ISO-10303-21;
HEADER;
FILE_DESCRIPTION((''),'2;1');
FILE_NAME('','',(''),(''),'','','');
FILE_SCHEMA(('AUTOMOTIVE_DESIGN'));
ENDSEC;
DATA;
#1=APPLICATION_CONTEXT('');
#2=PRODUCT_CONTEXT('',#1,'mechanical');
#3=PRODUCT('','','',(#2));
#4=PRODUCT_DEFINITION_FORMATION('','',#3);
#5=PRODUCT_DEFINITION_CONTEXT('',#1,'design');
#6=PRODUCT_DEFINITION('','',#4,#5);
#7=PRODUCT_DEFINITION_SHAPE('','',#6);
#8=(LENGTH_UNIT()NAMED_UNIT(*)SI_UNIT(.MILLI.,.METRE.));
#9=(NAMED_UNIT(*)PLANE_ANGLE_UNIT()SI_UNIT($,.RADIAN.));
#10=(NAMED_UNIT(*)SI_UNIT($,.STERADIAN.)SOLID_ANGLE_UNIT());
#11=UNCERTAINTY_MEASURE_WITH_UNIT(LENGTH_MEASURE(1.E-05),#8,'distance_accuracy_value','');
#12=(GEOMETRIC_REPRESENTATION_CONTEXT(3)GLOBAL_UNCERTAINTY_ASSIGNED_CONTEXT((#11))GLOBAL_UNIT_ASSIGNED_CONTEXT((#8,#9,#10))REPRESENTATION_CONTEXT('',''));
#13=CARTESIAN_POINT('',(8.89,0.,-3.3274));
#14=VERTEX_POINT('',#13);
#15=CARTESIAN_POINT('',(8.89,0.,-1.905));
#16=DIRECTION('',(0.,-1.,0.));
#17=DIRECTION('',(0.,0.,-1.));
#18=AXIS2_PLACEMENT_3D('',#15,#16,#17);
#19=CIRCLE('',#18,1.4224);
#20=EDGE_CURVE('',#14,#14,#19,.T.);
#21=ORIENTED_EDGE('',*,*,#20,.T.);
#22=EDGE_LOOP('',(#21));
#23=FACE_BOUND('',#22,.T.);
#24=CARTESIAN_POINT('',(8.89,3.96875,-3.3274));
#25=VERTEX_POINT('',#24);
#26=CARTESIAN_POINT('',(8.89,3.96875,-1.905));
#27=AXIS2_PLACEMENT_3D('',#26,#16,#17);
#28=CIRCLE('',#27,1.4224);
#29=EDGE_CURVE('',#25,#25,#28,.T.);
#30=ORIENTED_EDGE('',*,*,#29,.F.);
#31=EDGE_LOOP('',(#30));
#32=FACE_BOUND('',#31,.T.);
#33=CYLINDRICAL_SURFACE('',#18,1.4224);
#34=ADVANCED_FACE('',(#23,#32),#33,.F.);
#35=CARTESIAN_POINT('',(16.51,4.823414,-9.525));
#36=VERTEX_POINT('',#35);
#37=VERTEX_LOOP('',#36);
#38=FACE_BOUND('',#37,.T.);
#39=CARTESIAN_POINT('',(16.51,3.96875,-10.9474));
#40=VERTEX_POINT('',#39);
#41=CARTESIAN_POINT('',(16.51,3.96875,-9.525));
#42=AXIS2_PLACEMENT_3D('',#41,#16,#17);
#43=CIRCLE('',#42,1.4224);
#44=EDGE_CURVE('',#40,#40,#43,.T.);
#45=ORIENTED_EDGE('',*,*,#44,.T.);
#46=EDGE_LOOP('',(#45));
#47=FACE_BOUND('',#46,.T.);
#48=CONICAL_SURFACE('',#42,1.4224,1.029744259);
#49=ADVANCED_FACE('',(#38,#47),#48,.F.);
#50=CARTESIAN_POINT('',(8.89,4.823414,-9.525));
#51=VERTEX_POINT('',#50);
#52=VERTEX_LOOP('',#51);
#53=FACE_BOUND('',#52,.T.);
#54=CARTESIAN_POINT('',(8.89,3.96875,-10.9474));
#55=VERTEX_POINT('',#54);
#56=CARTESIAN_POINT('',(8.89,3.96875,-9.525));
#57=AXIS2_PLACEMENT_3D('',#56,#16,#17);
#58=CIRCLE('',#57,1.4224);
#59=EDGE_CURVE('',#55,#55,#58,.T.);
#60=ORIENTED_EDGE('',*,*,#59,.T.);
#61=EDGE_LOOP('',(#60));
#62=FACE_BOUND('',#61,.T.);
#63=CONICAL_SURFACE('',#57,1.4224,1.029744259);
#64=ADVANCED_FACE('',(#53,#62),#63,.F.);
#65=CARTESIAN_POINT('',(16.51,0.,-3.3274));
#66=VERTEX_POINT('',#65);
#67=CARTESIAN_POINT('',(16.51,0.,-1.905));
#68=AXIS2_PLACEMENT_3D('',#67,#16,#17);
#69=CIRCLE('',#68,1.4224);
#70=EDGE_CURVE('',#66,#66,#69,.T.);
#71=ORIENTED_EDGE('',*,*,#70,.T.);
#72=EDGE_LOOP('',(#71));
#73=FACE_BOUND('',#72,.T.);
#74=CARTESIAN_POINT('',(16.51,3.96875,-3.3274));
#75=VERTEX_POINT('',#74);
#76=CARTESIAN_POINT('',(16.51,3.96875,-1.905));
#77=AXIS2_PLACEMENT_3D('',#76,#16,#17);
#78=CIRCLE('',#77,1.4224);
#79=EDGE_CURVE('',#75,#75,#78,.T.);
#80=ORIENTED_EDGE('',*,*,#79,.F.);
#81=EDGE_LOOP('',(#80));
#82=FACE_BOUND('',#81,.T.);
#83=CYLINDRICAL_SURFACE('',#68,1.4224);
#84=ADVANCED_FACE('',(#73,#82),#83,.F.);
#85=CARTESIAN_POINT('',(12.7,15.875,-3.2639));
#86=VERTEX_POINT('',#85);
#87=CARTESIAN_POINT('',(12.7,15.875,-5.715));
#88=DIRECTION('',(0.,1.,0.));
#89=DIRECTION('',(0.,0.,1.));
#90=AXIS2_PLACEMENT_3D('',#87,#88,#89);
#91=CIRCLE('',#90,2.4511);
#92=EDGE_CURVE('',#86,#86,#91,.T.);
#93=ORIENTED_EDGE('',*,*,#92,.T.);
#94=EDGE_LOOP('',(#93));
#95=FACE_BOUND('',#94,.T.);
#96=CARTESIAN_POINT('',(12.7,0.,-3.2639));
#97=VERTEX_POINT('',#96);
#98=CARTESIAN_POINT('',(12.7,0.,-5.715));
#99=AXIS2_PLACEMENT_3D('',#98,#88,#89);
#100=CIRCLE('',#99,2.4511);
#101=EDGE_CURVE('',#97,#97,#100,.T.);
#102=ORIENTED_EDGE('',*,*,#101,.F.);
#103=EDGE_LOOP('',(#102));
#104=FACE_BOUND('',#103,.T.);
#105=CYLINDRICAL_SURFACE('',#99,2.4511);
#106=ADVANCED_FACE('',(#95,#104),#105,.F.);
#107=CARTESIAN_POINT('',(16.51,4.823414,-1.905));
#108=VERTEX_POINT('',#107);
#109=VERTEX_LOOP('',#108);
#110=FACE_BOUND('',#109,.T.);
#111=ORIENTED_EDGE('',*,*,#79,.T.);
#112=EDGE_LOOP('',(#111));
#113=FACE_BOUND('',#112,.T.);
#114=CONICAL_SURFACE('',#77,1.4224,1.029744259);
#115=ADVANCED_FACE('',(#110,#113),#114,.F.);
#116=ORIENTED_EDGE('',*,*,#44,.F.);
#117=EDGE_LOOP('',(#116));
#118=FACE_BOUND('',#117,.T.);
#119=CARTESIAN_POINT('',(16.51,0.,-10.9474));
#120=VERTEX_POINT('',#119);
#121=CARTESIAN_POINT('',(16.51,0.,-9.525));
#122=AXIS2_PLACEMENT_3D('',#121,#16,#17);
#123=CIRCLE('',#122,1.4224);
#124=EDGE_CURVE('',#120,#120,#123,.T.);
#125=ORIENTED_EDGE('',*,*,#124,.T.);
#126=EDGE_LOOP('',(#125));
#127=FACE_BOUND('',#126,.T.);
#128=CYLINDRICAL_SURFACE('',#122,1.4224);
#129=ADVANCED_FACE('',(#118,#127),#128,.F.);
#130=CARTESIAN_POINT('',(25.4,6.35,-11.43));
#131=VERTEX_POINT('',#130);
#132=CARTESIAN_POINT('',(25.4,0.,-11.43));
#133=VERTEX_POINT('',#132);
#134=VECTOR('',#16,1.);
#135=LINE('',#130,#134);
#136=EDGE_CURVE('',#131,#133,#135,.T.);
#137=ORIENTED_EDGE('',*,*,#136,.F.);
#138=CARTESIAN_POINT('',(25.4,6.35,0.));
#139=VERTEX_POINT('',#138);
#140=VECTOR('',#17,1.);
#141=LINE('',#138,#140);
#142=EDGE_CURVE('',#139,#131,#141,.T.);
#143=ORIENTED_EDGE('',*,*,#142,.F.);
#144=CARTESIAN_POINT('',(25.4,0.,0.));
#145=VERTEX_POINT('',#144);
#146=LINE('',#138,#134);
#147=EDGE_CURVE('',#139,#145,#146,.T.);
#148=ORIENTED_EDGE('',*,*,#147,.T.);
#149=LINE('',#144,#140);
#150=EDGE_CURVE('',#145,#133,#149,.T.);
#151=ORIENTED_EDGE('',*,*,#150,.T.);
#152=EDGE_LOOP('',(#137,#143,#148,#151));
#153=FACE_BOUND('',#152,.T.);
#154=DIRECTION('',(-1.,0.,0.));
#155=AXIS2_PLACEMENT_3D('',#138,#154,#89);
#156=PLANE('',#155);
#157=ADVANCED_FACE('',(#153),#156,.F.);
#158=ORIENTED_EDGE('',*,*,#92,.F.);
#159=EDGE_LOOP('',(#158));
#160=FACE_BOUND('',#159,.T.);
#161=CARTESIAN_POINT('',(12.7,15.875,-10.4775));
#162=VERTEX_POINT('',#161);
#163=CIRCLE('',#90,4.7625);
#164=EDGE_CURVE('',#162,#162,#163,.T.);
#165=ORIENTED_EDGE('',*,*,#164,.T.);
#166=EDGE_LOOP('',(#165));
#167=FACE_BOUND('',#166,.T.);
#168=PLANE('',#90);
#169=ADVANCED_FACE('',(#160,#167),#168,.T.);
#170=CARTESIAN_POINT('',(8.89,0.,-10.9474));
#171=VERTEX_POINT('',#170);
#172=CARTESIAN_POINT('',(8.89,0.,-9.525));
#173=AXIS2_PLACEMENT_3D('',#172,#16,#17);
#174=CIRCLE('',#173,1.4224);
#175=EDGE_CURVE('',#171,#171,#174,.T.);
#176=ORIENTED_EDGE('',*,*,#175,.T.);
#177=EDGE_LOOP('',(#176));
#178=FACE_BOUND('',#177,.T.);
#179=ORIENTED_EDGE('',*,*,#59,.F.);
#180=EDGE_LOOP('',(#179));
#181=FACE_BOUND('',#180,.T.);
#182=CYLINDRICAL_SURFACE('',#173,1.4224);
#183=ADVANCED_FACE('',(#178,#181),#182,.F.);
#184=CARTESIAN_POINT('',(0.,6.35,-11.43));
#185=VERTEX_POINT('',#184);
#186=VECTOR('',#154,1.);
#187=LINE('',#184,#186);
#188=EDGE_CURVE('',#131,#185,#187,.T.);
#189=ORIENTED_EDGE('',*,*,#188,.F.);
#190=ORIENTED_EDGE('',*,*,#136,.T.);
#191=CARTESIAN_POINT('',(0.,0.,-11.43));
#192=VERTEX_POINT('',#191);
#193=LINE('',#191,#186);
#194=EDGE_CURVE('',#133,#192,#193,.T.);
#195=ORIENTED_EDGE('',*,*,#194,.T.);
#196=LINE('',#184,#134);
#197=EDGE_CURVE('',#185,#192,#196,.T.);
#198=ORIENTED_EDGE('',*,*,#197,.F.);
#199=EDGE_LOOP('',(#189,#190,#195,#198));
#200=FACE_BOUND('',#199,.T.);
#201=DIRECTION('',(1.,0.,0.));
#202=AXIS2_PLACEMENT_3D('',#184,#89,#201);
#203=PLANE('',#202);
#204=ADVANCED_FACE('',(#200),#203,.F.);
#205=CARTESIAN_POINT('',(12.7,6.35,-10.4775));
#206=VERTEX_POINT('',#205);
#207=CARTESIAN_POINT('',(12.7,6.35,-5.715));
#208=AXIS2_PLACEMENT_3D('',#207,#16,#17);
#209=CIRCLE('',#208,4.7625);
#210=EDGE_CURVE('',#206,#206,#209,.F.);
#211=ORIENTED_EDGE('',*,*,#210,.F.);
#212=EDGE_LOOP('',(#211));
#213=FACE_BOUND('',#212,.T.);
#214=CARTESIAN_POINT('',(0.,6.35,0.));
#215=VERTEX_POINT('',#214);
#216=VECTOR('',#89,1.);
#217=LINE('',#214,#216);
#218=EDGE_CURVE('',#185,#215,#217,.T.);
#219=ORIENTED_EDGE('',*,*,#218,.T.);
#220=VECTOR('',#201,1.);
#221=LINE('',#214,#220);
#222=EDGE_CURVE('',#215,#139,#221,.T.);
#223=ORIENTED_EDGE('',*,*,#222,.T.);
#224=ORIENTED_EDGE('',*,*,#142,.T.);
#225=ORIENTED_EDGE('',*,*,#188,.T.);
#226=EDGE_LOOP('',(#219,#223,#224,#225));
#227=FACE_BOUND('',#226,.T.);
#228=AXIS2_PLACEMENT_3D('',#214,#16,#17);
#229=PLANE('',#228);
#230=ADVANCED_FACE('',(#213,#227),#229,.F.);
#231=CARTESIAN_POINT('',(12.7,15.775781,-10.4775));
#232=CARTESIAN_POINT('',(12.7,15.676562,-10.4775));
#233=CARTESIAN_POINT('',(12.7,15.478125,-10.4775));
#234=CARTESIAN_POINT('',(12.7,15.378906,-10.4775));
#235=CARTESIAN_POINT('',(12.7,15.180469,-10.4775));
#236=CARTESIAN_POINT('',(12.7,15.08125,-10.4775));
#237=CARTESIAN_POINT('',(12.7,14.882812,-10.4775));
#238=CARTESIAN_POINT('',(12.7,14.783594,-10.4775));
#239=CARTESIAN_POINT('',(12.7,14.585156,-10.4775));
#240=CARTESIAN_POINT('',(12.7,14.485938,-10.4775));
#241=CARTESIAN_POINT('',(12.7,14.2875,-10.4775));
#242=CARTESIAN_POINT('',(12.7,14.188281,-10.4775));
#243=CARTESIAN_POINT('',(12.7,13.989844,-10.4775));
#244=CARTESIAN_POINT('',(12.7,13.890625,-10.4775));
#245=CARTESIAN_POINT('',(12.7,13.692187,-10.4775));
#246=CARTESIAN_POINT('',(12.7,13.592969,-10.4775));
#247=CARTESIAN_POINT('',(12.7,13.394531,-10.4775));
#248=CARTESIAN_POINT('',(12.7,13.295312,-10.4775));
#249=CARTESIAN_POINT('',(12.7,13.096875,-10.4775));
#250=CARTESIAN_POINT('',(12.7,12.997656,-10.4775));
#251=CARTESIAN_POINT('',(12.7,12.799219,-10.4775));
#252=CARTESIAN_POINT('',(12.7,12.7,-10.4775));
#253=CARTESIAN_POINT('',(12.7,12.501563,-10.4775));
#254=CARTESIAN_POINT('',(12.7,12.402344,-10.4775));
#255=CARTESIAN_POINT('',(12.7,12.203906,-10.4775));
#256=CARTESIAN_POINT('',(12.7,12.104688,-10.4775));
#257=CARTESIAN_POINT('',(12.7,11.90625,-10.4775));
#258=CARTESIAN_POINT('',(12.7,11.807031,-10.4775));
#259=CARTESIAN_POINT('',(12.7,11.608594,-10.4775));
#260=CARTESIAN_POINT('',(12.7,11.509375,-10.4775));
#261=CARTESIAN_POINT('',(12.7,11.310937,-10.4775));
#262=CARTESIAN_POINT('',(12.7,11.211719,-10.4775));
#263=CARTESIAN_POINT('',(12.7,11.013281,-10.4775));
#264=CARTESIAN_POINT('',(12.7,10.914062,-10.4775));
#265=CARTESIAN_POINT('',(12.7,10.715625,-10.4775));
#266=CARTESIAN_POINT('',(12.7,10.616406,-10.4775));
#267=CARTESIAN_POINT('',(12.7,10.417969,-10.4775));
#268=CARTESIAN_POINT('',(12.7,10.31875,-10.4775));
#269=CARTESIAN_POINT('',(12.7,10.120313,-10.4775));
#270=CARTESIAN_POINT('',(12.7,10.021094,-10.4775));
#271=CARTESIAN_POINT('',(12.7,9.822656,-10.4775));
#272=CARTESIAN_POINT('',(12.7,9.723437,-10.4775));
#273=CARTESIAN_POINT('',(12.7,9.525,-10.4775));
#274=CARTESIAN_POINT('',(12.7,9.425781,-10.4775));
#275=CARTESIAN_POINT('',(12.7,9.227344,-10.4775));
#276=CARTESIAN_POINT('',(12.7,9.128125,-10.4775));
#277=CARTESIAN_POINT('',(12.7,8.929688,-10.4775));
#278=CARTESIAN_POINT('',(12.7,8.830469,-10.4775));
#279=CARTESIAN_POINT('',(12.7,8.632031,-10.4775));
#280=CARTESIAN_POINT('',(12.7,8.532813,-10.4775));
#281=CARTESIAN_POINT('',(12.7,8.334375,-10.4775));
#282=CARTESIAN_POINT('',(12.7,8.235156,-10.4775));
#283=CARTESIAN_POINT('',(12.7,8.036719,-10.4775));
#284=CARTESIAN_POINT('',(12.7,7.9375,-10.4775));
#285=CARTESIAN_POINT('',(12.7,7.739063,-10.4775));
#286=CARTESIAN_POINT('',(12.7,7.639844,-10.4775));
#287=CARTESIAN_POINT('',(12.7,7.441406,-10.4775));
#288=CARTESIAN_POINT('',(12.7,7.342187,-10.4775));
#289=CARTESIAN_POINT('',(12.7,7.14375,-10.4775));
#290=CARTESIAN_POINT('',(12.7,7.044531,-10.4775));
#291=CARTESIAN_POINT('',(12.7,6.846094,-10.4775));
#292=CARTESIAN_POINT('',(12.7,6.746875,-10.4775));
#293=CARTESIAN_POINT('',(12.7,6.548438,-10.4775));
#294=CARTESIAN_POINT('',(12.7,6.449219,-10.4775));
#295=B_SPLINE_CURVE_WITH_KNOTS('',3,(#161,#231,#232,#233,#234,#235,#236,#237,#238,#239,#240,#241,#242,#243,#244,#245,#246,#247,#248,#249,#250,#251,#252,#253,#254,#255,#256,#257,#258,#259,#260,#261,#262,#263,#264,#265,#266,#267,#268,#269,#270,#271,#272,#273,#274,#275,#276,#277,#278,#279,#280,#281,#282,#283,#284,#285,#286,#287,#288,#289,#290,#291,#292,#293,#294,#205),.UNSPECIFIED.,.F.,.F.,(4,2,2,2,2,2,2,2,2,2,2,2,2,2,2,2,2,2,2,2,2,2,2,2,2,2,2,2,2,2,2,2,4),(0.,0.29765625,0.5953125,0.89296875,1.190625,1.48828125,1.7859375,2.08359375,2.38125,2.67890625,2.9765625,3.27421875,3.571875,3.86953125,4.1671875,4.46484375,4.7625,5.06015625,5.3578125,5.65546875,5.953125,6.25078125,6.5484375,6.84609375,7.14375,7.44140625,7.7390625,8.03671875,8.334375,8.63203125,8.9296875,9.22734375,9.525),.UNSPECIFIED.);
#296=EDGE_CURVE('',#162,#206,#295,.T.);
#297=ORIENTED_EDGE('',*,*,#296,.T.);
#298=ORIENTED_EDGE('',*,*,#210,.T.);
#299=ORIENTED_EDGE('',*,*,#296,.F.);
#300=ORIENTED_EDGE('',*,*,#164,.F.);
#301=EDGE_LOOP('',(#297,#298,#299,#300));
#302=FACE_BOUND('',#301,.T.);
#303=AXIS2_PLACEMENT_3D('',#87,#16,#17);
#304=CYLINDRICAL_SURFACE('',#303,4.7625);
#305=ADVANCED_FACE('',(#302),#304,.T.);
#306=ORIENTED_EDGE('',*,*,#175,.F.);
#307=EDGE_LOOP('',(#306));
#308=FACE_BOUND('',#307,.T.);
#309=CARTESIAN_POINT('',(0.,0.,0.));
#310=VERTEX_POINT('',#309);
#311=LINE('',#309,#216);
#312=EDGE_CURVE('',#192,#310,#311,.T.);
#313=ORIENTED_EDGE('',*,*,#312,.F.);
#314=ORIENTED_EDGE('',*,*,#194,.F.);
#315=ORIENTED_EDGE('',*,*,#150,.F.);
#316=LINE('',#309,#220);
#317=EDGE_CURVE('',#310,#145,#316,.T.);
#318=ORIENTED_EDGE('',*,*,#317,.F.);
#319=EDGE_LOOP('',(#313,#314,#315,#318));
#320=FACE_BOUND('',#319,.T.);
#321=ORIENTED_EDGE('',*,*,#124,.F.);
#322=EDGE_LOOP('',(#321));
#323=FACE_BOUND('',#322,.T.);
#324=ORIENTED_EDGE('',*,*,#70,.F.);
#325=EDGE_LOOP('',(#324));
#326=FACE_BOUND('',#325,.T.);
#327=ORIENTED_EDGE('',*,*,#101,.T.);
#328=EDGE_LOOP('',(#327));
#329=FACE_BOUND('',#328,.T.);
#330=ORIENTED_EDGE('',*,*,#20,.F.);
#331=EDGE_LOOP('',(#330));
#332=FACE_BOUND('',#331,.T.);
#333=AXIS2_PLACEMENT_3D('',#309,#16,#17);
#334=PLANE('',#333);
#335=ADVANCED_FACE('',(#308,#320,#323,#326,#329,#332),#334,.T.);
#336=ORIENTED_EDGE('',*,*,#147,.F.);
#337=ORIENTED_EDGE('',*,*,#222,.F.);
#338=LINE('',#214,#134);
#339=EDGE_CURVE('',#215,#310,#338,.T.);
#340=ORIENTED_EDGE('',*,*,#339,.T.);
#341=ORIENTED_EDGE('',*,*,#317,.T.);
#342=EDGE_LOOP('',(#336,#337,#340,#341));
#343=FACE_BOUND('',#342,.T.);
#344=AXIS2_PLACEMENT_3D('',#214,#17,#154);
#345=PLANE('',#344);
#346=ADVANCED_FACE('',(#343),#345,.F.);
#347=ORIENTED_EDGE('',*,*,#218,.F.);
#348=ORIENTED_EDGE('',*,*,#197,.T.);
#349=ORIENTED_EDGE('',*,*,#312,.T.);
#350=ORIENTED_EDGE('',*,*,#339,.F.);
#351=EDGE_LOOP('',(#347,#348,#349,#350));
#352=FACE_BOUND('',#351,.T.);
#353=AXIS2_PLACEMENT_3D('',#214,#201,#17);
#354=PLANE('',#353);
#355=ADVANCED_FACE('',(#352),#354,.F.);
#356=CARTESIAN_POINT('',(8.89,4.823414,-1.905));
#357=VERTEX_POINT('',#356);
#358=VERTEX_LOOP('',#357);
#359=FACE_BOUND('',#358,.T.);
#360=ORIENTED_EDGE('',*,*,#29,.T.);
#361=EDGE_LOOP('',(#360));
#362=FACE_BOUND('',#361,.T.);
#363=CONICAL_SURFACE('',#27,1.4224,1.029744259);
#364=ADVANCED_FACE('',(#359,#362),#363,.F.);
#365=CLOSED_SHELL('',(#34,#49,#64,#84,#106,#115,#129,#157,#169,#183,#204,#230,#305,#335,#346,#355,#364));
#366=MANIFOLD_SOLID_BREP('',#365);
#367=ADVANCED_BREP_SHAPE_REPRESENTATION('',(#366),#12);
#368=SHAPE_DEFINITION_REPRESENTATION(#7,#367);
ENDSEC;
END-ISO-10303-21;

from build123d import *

# Parameters (mm, degrees)
SKETCH1_W                      = 25.4
SKETCH1_H                      = 11.43
BOSS_EXTRUDE1_DEPTH            = 6.35
SKETCH2_R                      = 4.7625
BOSS_EXTRUDE2_DEPTH            = 9.525
SKETCH3_R                      = 2.4511
CUT_EXTRUDE1_DEPTH             = 33.059640126
F_60_0_04_DIAMETER_HOLE1_D     = 2.8448
F_60_0_04_DIAMETER_HOLE1_DEPTH = 3.96875
F_60_0_04_DIAMETER_HOLE1_TIP   = 0.854664145


with BuildPart() as part:
    # Sketch1 → Boss-Extrude1 (new body)
    with BuildSketch(Plane(origin=(0, 0, 0), x_dir=(1, 0, 0), z_dir=(0, 1, 0))):
        with Locations((12.7, 5.715)):
            Rectangle(SKETCH1_W, SKETCH1_H)
    extrude(amount=BOSS_EXTRUDE1_DEPTH)

    # Sketch2 → Boss-Extrude2 (add)
    with BuildSketch(Plane(origin=(0, 6.35, 0), x_dir=(1, 0, 0), z_dir=(0, 1, 0))):
        with Locations(Location((12.7, 5.715, 0), (0, 0, 90))):
            Circle(SKETCH2_R)
    extrude(amount=BOSS_EXTRUDE2_DEPTH)

    # Sketch3 → Cut-Extrude1 (cut, through all)
    with BuildSketch(Plane(origin=(0, 15.875, 0), x_dir=(1, 0, 0), z_dir=(0, 1, 0))):
        with Locations(Location((12.7, 5.715, 0), (0, 0, 270))):
            Circle(SKETCH3_R)
    extrude(amount=-CUT_EXTRUDE1_DEPTH, mode=Mode.SUBTRACT)

    # #60 (0.04) Diameter Hole1
    with Locations(Plane(origin=(8.89, 0, -1.905), x_dir=(0, 0, -1), z_dir=(0, -1, 0))):
        with Locations((0, 0), (7.62, 0), (7.62, 7.62), (0, 7.62)):
            Hole(F_60_0_04_DIAMETER_HOLE1_D / 2, depth=F_60_0_04_DIAMETER_HOLE1_DEPTH)
            with Locations((0, 0, -(F_60_0_04_DIAMETER_HOLE1_DEPTH + F_60_0_04_DIAMETER_HOLE1_TIP / 2))):  # 118° drill point
                Cone(0, F_60_0_04_DIAMETER_HOLE1_D / 2, F_60_0_04_DIAMETER_HOLE1_TIP, mode=Mode.SUBTRACT)


solid = part.part
